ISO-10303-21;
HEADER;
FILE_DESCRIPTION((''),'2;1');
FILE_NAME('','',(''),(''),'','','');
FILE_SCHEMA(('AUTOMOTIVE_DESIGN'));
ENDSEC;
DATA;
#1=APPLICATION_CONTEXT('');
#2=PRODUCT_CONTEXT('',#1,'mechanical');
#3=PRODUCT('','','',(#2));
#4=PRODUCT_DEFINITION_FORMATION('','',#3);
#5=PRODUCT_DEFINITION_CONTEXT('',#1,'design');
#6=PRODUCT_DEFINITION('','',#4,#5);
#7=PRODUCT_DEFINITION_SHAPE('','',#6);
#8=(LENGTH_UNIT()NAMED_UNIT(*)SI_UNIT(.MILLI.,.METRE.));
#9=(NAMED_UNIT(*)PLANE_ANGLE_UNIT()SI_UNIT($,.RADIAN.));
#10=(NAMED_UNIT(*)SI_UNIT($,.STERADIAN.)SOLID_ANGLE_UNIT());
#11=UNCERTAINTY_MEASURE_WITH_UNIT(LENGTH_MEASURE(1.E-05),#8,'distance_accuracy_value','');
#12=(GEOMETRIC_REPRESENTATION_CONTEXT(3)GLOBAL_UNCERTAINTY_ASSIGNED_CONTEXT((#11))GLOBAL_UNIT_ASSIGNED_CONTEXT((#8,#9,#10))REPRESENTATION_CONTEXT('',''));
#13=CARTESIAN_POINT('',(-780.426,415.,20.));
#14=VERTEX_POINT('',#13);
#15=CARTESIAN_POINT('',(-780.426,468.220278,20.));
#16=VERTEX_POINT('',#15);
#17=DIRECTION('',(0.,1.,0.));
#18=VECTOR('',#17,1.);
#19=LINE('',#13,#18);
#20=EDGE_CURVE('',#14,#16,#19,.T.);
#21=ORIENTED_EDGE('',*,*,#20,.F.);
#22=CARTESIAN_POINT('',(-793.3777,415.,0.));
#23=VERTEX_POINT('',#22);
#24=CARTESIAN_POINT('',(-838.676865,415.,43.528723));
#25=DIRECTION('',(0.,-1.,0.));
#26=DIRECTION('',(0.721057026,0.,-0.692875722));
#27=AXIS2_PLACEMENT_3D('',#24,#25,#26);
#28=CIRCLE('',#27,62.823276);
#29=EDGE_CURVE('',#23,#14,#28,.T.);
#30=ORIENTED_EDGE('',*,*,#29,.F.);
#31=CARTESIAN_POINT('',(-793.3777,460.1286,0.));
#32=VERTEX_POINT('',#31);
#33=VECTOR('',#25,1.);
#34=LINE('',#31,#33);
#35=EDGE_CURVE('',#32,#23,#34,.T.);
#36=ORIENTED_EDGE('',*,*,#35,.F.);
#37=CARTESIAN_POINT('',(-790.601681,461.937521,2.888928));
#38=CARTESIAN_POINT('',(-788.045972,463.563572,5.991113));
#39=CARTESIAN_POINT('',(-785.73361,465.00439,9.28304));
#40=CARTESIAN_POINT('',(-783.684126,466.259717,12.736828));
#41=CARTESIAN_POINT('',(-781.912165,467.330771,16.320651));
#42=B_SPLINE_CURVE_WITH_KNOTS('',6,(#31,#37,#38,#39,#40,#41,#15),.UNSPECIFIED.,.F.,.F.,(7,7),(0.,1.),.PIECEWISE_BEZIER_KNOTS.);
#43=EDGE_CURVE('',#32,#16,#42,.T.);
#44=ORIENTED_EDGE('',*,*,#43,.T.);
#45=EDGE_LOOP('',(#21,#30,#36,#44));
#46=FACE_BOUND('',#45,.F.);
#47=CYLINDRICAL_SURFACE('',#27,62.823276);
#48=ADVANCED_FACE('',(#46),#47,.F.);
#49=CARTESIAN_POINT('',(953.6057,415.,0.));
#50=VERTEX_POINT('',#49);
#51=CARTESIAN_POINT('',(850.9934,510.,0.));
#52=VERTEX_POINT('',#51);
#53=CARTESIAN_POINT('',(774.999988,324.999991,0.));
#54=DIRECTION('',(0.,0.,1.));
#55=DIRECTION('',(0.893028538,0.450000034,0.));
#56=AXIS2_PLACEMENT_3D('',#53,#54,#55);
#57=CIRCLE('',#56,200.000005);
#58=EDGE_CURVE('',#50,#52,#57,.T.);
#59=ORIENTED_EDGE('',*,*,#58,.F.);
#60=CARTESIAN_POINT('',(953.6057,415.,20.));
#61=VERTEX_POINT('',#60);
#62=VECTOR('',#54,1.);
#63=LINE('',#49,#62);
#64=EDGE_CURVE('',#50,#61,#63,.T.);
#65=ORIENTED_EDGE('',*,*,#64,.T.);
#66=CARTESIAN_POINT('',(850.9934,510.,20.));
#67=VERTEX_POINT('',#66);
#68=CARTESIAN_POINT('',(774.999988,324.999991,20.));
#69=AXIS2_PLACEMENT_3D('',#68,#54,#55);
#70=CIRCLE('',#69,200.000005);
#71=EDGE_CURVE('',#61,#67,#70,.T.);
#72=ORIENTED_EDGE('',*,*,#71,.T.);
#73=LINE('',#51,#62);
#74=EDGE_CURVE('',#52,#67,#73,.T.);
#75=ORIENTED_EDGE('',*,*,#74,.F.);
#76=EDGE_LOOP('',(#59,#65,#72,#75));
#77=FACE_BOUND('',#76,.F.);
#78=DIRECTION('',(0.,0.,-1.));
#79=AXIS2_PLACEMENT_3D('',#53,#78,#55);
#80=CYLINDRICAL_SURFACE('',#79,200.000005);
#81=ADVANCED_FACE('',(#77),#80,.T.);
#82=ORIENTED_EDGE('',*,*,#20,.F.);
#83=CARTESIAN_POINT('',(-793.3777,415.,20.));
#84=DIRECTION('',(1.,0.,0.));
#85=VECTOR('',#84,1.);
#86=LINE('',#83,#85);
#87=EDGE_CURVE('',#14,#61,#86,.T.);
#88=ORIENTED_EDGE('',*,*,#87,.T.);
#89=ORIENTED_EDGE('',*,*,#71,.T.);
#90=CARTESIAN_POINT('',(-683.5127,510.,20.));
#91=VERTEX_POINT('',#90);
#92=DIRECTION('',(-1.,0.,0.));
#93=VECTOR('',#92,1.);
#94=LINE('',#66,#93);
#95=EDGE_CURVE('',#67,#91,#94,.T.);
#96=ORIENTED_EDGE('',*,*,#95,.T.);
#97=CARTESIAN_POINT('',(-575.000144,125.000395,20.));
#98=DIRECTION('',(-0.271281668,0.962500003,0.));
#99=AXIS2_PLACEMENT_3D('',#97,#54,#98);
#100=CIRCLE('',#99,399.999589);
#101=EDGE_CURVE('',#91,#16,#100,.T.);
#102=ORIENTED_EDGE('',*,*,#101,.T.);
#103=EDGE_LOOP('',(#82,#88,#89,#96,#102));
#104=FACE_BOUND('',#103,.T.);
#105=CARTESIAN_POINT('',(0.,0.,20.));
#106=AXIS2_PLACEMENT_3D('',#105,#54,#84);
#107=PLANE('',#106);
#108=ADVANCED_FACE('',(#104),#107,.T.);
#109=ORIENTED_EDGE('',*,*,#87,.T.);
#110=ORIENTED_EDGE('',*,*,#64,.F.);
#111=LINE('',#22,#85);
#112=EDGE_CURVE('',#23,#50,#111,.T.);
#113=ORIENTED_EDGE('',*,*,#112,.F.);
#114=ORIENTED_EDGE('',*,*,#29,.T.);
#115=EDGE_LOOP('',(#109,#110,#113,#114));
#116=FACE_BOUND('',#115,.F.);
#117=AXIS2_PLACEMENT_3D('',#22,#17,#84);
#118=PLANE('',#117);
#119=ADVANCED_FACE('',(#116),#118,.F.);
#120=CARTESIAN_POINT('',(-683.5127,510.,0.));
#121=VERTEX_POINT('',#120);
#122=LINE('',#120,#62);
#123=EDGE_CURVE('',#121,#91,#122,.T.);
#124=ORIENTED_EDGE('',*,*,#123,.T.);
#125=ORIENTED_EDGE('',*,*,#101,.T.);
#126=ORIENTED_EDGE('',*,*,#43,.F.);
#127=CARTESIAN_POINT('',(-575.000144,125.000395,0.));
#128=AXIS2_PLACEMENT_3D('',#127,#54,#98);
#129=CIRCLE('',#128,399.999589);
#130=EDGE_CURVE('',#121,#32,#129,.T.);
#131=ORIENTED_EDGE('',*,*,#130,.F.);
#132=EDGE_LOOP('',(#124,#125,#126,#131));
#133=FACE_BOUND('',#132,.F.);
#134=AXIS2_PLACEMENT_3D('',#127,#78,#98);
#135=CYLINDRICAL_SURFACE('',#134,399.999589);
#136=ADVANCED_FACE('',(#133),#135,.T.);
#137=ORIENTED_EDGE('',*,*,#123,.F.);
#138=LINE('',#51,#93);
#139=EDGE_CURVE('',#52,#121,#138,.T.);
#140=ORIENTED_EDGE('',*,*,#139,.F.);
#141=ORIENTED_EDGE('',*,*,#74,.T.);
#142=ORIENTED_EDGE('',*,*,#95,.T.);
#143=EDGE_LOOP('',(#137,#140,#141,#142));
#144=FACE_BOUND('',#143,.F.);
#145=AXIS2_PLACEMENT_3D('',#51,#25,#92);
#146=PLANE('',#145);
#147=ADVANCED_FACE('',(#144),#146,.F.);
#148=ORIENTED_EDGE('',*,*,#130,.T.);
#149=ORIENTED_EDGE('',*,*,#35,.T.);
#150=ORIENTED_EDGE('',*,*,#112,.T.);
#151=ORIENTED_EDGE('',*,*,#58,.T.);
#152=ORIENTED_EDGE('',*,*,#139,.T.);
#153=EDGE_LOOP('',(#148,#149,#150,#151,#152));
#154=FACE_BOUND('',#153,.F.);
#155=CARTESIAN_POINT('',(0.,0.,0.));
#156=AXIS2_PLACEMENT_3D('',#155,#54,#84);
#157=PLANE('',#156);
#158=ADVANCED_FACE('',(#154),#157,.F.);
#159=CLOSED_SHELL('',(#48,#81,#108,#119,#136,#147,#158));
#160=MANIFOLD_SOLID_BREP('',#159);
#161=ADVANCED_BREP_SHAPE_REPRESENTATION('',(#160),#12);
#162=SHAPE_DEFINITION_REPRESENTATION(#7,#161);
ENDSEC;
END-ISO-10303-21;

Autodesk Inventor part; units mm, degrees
ref_plane "YZ Plane" through (0, 0, 0) normal (1, 0, 0) x (0, 1, 0)
ref_plane "XZ Plane" through (0, 0, 0) normal (0, 1, 0) x (-1, 0, 0)
ref_plane "XY Plane" through (0, 0, 0) normal (0, 0, 1) x (1, 0, 0)
sketch "Skizze1" plane through (0, 0, 0) normal (0, 0, 1) x (1, 0, 0)
  line L0 (-793.3777, 415) -> (953.6057, 415)
  arc A0 (953.6057, 415) -> (850.9934, 510) centre (775, 325) ccw
  line L1 (850.9934, 510) -> (-683.5127, 510)
  arc A1 (-683.5127, 510) -> (-793.3777, 460.1286) centre (-575, 125) ccw
  line L2 (-793.3777, 460.1286) -> (-793.3777, 415)
  line L3 (-793.3777, 460.1286) -> (-793.3777, 415)
  line L4 (-793.3777, 415) -> (953.6057, 415)
  arc A2 (953.6057, 415) -> (850.9934, 510) centre (775, 325) ccw
  line L5 (850.9934, 510) -> (-683.5127, 510)
  arc A3 (-683.5127, 510) -> (-793.3777, 460.1286) centre (-575, 125) ccw
  line L6 (-793.3777, 460.1286) -> (-793.3777, 415)
  arc A4 (953.6057, 415) -> (850.9934, 510) centre (775, 325) ccw
  line L7 (850.9934, 510) -> (-683.5127, 510)
  arc A5 (-683.5127, 510) -> (-793.3777, 460.1286) centre (-575, 125) ccw
  line L8 (953.6057, 415) -> (-793.3777, 415)
  point P0 (0, 0)
  point P1 (-793.3777, 460.1286)
extrude "Extrusion1" add sketch "Skizze1" along normal blind 20
sketch "Skizze2" plane through (-793.3777, 415, 0) normal (0, -1, 0) x (1, 0, 0)
  line L0 (-109.2775, 0) -> (-109.2775, 20)
  arc A0 (0, 0) -> (12.9517, 20) centre (-45.298, 43.5278) ccw
  line L1 (-109.2775, 0) -> (12.9517, 0)
  line L2 (0, -20) -> (-109.2775, -20)
  line L3 (-109.2775, 20) -> (12.9517, 20)
  line L4 (0, 0) -> (0, 20) projected
  point P0 (793.3777, 0)
  point P1 (-109.2775, 0)
  point P2 (0, 0)
  point P3 (12.9517, 20)
  dimension "d5" = 62.8218
  dimension "d6" = 90
  dimension "d7" = 20
  dimension "d8" = 20
  dimension "d9" = 0
  dimension "d11" = 122.2292
  dimension "d12" = 0
  dimension "d13" = 122.2292
  dimension "d14" = 122.2292
  dimension "d15" = 20
  dimension "d16" = 109.2776
  dimension "d17" = 109.2776
  dimension "d18" = 0
  dimension "d19" = 20
  dimension "d20" = 0
  dimension "d21" = 0
extrude "Extrusion3" cut sketch "Skizze2" against normal through all
properties part number "HolzLatteLinks"
